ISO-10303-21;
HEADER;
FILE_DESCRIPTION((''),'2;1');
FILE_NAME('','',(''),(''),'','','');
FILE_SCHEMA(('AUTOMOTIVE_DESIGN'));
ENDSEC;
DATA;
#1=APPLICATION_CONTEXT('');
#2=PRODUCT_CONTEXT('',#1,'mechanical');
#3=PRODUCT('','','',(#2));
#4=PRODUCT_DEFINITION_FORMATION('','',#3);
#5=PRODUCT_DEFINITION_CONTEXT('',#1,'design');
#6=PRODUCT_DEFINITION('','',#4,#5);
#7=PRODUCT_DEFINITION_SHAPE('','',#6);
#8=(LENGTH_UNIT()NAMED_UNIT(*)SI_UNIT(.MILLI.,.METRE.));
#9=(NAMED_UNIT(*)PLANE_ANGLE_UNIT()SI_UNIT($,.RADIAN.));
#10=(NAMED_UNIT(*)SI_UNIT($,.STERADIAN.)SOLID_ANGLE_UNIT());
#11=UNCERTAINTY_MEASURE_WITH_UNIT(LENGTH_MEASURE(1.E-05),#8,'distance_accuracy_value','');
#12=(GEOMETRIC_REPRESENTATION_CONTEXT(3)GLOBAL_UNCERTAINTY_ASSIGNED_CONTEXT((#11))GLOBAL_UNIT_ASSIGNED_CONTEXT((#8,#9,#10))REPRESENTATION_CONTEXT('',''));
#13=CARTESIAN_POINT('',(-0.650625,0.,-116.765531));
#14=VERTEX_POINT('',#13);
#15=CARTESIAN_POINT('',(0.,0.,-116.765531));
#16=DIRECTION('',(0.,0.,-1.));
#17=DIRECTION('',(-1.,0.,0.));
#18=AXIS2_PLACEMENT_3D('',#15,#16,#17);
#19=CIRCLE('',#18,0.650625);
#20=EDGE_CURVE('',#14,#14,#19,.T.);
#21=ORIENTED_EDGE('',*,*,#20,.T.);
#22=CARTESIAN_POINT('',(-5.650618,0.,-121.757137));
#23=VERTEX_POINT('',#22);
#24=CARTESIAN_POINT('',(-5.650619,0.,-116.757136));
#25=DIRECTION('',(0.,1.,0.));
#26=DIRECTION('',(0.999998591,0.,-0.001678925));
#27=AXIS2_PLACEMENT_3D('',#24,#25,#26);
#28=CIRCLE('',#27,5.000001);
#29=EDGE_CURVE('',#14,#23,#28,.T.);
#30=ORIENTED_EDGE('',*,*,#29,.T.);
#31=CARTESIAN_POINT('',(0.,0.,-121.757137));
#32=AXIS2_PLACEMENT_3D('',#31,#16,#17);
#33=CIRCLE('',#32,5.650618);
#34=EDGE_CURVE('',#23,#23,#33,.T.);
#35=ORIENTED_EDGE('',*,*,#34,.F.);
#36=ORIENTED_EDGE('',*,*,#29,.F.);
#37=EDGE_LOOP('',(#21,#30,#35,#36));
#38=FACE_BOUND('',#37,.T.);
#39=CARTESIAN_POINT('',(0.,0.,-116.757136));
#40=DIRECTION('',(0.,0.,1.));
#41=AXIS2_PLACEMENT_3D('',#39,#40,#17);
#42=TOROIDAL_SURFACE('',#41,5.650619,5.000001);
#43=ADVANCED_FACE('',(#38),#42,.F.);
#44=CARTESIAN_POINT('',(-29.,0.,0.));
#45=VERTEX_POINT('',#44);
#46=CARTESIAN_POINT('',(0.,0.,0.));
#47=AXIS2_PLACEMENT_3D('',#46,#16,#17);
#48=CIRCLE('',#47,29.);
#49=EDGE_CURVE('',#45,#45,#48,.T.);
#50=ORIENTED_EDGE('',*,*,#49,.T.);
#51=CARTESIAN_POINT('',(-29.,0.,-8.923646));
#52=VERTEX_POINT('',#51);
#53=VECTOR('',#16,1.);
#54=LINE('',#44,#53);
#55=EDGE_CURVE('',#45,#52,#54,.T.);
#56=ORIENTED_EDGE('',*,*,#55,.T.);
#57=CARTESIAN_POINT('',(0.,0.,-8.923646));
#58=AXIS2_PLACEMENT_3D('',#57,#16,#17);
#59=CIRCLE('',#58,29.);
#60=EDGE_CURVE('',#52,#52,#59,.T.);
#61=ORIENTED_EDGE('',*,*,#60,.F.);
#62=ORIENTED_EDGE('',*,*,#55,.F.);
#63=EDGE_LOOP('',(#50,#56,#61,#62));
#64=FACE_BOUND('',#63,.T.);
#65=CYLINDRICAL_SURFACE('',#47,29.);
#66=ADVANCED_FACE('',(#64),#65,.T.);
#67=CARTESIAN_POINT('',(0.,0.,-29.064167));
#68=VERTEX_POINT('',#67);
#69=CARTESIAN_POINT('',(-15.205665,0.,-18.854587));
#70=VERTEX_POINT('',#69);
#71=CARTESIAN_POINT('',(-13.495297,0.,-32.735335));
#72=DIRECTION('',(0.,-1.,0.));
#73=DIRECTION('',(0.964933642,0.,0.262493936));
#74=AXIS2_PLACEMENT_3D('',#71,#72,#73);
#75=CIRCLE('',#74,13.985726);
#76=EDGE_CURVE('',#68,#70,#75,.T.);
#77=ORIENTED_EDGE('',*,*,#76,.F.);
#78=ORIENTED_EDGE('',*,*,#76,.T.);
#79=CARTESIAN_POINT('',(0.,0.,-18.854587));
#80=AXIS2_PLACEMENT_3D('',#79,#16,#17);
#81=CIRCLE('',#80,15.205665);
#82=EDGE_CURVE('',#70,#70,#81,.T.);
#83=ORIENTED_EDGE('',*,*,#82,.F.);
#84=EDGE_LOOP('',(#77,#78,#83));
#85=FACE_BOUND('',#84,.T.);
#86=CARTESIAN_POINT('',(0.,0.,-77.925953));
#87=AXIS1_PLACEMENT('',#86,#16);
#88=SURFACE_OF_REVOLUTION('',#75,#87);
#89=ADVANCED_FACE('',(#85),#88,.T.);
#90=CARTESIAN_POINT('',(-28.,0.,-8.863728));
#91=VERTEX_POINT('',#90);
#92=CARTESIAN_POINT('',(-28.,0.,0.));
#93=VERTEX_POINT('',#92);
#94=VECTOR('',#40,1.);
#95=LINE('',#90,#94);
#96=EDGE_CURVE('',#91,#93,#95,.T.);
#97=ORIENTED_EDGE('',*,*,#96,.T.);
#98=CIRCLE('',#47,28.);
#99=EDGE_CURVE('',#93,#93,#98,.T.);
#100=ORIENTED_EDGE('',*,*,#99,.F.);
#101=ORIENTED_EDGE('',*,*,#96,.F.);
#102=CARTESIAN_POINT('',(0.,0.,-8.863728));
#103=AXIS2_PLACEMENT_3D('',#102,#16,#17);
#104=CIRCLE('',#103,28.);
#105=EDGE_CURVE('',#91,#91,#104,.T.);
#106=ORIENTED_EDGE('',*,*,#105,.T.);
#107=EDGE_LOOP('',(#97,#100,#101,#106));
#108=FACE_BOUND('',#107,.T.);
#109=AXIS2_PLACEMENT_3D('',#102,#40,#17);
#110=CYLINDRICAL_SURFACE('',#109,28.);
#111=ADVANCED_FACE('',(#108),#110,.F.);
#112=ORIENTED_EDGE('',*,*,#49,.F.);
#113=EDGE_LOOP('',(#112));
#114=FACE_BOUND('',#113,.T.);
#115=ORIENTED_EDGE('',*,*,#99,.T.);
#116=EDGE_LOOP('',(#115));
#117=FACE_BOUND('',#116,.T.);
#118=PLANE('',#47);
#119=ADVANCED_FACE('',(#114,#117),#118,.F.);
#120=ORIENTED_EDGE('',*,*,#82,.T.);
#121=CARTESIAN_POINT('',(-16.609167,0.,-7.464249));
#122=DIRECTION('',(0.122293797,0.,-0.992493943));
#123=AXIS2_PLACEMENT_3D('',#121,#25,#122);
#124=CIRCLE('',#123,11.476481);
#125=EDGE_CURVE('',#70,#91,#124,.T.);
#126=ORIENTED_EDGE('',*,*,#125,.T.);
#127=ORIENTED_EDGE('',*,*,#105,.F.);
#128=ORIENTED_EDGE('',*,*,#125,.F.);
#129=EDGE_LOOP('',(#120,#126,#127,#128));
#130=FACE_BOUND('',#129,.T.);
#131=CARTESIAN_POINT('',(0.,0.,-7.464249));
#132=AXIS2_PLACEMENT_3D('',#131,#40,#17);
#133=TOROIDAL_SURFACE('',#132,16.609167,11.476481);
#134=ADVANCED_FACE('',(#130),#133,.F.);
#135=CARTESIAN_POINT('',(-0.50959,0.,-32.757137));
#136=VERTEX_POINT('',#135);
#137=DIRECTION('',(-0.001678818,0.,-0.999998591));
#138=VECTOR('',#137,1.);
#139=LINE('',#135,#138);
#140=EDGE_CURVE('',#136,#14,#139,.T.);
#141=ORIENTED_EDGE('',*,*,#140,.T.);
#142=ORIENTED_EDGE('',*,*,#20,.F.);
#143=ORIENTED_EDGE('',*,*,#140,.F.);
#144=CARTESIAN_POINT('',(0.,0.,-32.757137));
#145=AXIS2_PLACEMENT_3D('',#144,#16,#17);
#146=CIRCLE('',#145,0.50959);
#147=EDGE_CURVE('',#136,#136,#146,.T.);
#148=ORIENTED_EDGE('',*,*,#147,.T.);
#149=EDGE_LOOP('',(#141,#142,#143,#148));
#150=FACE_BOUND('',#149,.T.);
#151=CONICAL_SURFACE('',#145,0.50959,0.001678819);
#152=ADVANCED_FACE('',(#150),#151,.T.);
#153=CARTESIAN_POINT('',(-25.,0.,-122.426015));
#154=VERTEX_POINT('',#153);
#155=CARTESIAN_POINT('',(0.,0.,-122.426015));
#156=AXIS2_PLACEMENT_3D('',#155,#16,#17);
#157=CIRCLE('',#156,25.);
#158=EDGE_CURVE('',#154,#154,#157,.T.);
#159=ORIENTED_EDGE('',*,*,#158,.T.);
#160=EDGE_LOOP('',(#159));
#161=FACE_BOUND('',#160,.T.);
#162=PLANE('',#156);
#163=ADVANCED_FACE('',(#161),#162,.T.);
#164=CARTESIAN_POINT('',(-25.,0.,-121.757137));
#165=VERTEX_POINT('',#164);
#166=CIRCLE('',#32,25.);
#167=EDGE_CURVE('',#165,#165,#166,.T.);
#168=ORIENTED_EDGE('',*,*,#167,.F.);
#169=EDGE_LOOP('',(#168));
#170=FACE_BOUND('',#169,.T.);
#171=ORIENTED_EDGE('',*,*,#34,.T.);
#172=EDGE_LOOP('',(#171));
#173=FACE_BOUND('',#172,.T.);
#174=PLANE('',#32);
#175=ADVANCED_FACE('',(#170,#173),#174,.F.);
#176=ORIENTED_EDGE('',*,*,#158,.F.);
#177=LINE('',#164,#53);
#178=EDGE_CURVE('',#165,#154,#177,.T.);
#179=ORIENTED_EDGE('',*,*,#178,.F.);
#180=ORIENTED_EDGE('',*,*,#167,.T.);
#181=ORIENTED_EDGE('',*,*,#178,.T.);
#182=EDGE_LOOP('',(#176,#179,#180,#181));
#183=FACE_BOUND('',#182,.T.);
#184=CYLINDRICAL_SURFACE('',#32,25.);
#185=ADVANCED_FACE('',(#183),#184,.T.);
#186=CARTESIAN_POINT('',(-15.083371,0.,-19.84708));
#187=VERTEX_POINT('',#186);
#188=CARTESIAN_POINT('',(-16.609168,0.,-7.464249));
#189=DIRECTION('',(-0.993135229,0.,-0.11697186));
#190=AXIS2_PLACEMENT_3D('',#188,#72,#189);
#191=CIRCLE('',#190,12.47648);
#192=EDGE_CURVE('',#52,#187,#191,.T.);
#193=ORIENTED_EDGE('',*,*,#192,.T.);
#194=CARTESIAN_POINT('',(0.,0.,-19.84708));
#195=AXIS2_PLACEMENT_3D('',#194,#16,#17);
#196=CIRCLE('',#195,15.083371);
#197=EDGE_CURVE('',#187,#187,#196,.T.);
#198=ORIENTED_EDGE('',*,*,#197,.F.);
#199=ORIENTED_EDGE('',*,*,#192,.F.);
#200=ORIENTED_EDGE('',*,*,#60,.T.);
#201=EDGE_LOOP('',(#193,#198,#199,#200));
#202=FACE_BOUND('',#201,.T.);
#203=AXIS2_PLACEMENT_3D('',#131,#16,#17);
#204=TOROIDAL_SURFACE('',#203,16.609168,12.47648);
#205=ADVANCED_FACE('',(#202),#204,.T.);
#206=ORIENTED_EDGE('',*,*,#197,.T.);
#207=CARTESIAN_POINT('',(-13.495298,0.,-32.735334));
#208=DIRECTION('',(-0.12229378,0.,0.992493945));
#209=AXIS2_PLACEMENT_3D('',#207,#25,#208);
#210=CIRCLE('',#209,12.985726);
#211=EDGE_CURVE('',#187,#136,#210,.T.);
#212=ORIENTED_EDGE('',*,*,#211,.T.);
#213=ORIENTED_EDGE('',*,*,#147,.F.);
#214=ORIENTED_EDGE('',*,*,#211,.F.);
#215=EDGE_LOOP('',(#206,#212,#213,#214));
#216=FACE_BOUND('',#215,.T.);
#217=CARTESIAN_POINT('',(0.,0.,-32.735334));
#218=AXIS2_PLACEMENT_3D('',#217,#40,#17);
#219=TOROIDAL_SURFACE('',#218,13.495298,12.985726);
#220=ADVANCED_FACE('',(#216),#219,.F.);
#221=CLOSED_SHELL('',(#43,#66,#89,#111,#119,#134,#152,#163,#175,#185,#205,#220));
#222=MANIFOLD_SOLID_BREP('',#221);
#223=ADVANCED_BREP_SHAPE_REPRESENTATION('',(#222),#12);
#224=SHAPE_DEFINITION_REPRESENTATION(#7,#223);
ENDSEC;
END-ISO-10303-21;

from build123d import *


with BuildPart() as f1:
    # F0 (on Front) → F1 (revolve)
    with BuildSketch(Plane.XZ):
        with BuildLine():
            Line((-5.650618, -121.757137), (-25, -121.757137))
            Line((-25, -121.757137), (-25, -122.426015))
            Line((-25, -122.426015), (0, -122.426015))
            Line((0, -122.426015), (0, -33.42589))
            Line((0, -33.42589), (0, -29.064167))
            ThreePointArc((0, -29.064167), (-5.699143, -21.124112), (-15.205665, -18.854587))
            ThreePointArc((-15.205665, -18.854587), (-23.672524, -16.509613), (-28, -8.863728))
            Line((-28, -8.863728), (-28, 0))
            Line((-28, 0), (-29, 0))
            Line((-29, 0), (-29, -8.923646))
            ThreePointArc((-29, -8.923646), (-24.312583, -17.278522), (-15.083371, -19.84708))
            ThreePointArc((-15.083371, -19.84708), (-4.884612, -23.014986), (-0.50959, -32.757137))
            Line((-0.50959, -32.757137), (-0.650625, -116.765531))
            ThreePointArc((-0.650625, -116.765531), (-2.118053, -120.295637), (-5.650618, -121.757137))
        make_face()
    revolve(axis=Axis((0, 0, -77.925953), (0, 0, -1)))


solid = f1.part
